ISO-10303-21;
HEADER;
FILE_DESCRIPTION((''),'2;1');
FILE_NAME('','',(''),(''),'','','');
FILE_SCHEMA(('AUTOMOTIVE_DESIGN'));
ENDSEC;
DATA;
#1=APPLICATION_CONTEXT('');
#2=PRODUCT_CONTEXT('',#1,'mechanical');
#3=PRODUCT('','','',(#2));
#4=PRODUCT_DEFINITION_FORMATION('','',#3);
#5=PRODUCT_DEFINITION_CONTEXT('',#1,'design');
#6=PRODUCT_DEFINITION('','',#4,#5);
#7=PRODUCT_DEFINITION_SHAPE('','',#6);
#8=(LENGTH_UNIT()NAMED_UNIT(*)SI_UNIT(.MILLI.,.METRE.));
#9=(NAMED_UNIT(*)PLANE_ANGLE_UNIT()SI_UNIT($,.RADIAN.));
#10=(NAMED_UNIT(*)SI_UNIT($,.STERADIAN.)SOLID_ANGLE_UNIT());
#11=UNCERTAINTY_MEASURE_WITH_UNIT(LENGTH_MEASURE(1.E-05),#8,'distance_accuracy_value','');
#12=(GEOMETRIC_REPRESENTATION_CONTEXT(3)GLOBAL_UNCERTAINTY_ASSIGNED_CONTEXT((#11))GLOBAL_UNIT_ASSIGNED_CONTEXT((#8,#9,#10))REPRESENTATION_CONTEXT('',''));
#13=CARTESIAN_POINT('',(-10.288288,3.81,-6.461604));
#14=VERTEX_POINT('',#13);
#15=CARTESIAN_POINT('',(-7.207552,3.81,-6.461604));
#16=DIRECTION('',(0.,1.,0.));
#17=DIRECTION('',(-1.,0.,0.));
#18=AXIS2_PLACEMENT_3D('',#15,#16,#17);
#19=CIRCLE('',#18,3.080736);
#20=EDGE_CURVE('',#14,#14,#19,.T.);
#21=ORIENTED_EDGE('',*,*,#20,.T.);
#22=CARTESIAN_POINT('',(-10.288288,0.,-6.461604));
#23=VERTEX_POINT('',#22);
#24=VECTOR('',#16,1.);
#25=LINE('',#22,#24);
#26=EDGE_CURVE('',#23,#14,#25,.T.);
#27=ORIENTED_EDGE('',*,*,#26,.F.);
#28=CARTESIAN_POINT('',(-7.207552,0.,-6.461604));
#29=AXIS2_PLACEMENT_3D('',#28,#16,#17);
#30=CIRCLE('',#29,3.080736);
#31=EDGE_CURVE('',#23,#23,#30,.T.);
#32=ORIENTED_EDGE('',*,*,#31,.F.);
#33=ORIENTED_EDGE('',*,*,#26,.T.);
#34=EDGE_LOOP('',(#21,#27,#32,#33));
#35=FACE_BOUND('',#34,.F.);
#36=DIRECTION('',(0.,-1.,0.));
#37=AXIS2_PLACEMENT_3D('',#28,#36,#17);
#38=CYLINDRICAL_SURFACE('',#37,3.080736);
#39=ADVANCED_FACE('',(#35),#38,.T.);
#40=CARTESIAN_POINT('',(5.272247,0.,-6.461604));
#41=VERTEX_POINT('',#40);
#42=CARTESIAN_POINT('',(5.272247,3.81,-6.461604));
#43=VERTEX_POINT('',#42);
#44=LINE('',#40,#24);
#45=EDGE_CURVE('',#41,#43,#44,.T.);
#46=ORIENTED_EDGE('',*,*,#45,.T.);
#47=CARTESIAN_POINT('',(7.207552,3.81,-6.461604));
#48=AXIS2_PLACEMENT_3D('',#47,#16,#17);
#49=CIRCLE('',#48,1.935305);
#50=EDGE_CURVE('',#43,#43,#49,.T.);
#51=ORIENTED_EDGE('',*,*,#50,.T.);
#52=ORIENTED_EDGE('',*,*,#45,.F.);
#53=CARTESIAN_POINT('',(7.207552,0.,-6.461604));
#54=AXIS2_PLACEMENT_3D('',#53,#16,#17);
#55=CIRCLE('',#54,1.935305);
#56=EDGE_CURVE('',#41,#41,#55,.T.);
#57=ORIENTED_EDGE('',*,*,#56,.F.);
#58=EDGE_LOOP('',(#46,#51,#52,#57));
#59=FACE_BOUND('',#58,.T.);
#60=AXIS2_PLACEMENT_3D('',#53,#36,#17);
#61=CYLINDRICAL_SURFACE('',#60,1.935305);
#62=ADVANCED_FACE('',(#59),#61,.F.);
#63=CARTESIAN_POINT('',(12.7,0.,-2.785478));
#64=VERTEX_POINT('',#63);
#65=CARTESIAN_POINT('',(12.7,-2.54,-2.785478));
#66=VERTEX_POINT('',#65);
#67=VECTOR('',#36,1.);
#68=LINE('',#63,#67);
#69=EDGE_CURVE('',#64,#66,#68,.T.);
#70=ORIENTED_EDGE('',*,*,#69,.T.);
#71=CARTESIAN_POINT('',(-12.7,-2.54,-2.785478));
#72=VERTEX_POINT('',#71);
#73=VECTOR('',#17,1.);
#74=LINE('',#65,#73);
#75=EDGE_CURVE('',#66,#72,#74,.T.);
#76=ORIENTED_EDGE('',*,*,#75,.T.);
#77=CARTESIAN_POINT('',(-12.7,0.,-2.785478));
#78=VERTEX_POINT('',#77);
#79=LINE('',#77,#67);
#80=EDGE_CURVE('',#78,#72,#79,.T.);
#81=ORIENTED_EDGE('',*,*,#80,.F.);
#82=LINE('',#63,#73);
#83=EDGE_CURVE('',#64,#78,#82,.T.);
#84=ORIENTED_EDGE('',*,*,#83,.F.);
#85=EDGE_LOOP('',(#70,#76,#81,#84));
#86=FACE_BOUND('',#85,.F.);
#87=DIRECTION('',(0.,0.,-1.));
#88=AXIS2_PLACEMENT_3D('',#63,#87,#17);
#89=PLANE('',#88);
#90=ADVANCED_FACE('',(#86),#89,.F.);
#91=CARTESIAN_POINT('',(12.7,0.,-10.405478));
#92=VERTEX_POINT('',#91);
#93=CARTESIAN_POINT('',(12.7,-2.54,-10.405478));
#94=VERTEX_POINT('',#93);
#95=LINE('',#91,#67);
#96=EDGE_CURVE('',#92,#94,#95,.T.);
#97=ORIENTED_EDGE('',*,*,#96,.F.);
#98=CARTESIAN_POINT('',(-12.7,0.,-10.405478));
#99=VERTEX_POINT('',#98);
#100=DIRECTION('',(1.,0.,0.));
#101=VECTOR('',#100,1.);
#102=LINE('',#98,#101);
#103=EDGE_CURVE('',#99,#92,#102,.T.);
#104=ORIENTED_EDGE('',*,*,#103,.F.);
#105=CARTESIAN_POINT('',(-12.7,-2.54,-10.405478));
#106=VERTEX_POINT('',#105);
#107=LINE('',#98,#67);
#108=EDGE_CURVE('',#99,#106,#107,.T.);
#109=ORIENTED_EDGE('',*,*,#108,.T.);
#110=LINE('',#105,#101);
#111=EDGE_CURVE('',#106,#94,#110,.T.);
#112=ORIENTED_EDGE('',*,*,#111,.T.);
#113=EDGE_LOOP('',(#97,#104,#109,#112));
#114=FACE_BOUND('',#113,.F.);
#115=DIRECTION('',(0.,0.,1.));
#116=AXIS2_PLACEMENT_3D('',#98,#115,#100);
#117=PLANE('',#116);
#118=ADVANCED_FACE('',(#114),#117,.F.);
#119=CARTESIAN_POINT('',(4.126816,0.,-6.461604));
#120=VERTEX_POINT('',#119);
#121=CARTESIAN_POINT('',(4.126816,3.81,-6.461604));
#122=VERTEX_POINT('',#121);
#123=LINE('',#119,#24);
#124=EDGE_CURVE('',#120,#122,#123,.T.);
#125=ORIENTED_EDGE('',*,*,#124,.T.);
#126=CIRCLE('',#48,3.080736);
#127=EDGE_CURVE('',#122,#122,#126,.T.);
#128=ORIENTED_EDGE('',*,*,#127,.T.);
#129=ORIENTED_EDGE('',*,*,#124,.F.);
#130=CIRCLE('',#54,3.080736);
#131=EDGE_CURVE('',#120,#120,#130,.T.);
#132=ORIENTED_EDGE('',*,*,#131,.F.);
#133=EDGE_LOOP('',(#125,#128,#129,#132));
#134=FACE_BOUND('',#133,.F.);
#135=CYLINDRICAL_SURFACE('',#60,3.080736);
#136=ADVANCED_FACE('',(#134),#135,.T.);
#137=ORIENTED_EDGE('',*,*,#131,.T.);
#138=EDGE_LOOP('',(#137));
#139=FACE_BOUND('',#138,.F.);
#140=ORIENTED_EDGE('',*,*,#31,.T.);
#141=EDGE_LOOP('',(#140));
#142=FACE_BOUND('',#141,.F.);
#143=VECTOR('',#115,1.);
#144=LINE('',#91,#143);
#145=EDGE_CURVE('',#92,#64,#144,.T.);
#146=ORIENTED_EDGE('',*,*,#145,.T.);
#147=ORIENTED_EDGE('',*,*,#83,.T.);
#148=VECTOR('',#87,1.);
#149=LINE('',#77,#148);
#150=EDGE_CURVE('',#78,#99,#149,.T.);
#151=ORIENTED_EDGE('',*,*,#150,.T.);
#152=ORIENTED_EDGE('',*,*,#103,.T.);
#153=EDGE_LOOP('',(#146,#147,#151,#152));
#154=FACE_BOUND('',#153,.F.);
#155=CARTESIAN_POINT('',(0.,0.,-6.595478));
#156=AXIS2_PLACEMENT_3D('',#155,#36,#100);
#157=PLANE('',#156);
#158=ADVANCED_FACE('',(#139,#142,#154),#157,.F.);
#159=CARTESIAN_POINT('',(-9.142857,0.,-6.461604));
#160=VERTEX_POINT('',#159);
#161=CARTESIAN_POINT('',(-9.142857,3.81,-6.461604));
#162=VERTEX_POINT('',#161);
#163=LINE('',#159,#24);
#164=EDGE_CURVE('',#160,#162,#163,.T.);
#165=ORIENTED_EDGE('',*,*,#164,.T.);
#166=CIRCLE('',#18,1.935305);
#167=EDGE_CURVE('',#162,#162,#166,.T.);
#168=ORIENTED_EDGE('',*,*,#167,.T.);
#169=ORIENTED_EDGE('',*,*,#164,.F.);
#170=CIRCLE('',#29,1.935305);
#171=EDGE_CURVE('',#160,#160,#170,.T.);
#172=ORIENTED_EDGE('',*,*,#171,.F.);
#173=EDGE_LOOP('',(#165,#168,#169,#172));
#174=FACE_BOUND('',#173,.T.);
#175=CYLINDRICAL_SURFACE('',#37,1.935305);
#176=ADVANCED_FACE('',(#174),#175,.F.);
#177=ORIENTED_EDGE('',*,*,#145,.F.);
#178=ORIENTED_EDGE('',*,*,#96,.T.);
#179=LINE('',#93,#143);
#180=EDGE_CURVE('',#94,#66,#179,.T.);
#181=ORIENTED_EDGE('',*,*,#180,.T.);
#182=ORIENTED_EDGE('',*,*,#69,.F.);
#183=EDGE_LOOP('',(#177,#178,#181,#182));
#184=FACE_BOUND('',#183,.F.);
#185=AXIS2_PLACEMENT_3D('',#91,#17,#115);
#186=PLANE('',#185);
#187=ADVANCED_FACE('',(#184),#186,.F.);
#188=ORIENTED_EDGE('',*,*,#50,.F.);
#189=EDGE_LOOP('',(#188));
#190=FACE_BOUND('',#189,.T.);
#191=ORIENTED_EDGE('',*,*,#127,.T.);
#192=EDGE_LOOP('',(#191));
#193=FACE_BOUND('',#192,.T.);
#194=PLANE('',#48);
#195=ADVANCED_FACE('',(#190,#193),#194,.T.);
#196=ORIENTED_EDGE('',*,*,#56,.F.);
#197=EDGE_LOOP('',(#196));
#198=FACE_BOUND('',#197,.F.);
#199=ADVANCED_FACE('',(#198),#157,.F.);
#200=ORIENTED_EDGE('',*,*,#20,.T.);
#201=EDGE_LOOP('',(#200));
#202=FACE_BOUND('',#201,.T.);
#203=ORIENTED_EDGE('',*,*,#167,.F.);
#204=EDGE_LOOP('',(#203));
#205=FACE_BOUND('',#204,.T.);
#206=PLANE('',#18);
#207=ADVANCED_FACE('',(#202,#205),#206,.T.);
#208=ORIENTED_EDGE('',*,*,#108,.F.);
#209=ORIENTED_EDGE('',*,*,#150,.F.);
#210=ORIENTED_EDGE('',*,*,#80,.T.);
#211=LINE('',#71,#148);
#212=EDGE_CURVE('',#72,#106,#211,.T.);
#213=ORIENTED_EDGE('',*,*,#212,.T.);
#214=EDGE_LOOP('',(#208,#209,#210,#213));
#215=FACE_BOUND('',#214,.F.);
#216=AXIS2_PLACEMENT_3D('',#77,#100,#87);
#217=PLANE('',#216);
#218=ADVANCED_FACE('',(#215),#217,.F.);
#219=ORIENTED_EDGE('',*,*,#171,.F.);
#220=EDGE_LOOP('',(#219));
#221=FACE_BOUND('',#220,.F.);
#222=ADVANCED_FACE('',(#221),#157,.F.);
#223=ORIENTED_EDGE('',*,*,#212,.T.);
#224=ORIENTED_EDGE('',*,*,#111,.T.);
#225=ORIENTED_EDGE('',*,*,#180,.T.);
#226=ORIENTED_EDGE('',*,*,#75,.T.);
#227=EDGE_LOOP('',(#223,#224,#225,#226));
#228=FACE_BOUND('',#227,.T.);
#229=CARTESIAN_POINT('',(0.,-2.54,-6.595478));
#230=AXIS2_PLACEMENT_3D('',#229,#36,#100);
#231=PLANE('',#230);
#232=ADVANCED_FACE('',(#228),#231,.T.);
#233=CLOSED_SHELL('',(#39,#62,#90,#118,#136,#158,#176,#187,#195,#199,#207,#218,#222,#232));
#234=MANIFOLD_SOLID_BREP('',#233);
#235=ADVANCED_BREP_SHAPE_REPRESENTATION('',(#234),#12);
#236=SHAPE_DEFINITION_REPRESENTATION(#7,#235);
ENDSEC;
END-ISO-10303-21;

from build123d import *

# Parameters (mm, degrees)
F1_DEPTH = 2.54
F2_R     = 3.080736
F2_R_2   = 1.935305
F3_DEPTH = 3.81


with BuildPart() as f1:
    # F0 (on Front) → F1 (new body)
    with BuildSketch(Plane.XZ):
        Polygon((12.7, -10.405478), (12.7, -2.785478), (-12.7, -2.785478), (-12.7, -10.405478), (0, -10.405478), align=None)
    extrude(amount=F1_DEPTH)

    # F2 (on face) → F3 (join)
    with BuildSketch(Plane(origin=(0, 0, 0), x_dir=(-1, 0, 0), z_dir=(0, 1, 0))):
        with Locations((-7.207552, -6.461604)):
            Circle(F2_R)
        with Locations((-7.207552, -6.461604)):
            Circle(F2_R_2, mode=Mode.SUBTRACT)
        with Locations((7.207552, -6.461604)):
            Circle(F2_R)
        with Locations((7.207552, -6.461604)):
            Circle(F2_R_2, mode=Mode.SUBTRACT)
    extrude(amount=F3_DEPTH)


solid = f1.part
